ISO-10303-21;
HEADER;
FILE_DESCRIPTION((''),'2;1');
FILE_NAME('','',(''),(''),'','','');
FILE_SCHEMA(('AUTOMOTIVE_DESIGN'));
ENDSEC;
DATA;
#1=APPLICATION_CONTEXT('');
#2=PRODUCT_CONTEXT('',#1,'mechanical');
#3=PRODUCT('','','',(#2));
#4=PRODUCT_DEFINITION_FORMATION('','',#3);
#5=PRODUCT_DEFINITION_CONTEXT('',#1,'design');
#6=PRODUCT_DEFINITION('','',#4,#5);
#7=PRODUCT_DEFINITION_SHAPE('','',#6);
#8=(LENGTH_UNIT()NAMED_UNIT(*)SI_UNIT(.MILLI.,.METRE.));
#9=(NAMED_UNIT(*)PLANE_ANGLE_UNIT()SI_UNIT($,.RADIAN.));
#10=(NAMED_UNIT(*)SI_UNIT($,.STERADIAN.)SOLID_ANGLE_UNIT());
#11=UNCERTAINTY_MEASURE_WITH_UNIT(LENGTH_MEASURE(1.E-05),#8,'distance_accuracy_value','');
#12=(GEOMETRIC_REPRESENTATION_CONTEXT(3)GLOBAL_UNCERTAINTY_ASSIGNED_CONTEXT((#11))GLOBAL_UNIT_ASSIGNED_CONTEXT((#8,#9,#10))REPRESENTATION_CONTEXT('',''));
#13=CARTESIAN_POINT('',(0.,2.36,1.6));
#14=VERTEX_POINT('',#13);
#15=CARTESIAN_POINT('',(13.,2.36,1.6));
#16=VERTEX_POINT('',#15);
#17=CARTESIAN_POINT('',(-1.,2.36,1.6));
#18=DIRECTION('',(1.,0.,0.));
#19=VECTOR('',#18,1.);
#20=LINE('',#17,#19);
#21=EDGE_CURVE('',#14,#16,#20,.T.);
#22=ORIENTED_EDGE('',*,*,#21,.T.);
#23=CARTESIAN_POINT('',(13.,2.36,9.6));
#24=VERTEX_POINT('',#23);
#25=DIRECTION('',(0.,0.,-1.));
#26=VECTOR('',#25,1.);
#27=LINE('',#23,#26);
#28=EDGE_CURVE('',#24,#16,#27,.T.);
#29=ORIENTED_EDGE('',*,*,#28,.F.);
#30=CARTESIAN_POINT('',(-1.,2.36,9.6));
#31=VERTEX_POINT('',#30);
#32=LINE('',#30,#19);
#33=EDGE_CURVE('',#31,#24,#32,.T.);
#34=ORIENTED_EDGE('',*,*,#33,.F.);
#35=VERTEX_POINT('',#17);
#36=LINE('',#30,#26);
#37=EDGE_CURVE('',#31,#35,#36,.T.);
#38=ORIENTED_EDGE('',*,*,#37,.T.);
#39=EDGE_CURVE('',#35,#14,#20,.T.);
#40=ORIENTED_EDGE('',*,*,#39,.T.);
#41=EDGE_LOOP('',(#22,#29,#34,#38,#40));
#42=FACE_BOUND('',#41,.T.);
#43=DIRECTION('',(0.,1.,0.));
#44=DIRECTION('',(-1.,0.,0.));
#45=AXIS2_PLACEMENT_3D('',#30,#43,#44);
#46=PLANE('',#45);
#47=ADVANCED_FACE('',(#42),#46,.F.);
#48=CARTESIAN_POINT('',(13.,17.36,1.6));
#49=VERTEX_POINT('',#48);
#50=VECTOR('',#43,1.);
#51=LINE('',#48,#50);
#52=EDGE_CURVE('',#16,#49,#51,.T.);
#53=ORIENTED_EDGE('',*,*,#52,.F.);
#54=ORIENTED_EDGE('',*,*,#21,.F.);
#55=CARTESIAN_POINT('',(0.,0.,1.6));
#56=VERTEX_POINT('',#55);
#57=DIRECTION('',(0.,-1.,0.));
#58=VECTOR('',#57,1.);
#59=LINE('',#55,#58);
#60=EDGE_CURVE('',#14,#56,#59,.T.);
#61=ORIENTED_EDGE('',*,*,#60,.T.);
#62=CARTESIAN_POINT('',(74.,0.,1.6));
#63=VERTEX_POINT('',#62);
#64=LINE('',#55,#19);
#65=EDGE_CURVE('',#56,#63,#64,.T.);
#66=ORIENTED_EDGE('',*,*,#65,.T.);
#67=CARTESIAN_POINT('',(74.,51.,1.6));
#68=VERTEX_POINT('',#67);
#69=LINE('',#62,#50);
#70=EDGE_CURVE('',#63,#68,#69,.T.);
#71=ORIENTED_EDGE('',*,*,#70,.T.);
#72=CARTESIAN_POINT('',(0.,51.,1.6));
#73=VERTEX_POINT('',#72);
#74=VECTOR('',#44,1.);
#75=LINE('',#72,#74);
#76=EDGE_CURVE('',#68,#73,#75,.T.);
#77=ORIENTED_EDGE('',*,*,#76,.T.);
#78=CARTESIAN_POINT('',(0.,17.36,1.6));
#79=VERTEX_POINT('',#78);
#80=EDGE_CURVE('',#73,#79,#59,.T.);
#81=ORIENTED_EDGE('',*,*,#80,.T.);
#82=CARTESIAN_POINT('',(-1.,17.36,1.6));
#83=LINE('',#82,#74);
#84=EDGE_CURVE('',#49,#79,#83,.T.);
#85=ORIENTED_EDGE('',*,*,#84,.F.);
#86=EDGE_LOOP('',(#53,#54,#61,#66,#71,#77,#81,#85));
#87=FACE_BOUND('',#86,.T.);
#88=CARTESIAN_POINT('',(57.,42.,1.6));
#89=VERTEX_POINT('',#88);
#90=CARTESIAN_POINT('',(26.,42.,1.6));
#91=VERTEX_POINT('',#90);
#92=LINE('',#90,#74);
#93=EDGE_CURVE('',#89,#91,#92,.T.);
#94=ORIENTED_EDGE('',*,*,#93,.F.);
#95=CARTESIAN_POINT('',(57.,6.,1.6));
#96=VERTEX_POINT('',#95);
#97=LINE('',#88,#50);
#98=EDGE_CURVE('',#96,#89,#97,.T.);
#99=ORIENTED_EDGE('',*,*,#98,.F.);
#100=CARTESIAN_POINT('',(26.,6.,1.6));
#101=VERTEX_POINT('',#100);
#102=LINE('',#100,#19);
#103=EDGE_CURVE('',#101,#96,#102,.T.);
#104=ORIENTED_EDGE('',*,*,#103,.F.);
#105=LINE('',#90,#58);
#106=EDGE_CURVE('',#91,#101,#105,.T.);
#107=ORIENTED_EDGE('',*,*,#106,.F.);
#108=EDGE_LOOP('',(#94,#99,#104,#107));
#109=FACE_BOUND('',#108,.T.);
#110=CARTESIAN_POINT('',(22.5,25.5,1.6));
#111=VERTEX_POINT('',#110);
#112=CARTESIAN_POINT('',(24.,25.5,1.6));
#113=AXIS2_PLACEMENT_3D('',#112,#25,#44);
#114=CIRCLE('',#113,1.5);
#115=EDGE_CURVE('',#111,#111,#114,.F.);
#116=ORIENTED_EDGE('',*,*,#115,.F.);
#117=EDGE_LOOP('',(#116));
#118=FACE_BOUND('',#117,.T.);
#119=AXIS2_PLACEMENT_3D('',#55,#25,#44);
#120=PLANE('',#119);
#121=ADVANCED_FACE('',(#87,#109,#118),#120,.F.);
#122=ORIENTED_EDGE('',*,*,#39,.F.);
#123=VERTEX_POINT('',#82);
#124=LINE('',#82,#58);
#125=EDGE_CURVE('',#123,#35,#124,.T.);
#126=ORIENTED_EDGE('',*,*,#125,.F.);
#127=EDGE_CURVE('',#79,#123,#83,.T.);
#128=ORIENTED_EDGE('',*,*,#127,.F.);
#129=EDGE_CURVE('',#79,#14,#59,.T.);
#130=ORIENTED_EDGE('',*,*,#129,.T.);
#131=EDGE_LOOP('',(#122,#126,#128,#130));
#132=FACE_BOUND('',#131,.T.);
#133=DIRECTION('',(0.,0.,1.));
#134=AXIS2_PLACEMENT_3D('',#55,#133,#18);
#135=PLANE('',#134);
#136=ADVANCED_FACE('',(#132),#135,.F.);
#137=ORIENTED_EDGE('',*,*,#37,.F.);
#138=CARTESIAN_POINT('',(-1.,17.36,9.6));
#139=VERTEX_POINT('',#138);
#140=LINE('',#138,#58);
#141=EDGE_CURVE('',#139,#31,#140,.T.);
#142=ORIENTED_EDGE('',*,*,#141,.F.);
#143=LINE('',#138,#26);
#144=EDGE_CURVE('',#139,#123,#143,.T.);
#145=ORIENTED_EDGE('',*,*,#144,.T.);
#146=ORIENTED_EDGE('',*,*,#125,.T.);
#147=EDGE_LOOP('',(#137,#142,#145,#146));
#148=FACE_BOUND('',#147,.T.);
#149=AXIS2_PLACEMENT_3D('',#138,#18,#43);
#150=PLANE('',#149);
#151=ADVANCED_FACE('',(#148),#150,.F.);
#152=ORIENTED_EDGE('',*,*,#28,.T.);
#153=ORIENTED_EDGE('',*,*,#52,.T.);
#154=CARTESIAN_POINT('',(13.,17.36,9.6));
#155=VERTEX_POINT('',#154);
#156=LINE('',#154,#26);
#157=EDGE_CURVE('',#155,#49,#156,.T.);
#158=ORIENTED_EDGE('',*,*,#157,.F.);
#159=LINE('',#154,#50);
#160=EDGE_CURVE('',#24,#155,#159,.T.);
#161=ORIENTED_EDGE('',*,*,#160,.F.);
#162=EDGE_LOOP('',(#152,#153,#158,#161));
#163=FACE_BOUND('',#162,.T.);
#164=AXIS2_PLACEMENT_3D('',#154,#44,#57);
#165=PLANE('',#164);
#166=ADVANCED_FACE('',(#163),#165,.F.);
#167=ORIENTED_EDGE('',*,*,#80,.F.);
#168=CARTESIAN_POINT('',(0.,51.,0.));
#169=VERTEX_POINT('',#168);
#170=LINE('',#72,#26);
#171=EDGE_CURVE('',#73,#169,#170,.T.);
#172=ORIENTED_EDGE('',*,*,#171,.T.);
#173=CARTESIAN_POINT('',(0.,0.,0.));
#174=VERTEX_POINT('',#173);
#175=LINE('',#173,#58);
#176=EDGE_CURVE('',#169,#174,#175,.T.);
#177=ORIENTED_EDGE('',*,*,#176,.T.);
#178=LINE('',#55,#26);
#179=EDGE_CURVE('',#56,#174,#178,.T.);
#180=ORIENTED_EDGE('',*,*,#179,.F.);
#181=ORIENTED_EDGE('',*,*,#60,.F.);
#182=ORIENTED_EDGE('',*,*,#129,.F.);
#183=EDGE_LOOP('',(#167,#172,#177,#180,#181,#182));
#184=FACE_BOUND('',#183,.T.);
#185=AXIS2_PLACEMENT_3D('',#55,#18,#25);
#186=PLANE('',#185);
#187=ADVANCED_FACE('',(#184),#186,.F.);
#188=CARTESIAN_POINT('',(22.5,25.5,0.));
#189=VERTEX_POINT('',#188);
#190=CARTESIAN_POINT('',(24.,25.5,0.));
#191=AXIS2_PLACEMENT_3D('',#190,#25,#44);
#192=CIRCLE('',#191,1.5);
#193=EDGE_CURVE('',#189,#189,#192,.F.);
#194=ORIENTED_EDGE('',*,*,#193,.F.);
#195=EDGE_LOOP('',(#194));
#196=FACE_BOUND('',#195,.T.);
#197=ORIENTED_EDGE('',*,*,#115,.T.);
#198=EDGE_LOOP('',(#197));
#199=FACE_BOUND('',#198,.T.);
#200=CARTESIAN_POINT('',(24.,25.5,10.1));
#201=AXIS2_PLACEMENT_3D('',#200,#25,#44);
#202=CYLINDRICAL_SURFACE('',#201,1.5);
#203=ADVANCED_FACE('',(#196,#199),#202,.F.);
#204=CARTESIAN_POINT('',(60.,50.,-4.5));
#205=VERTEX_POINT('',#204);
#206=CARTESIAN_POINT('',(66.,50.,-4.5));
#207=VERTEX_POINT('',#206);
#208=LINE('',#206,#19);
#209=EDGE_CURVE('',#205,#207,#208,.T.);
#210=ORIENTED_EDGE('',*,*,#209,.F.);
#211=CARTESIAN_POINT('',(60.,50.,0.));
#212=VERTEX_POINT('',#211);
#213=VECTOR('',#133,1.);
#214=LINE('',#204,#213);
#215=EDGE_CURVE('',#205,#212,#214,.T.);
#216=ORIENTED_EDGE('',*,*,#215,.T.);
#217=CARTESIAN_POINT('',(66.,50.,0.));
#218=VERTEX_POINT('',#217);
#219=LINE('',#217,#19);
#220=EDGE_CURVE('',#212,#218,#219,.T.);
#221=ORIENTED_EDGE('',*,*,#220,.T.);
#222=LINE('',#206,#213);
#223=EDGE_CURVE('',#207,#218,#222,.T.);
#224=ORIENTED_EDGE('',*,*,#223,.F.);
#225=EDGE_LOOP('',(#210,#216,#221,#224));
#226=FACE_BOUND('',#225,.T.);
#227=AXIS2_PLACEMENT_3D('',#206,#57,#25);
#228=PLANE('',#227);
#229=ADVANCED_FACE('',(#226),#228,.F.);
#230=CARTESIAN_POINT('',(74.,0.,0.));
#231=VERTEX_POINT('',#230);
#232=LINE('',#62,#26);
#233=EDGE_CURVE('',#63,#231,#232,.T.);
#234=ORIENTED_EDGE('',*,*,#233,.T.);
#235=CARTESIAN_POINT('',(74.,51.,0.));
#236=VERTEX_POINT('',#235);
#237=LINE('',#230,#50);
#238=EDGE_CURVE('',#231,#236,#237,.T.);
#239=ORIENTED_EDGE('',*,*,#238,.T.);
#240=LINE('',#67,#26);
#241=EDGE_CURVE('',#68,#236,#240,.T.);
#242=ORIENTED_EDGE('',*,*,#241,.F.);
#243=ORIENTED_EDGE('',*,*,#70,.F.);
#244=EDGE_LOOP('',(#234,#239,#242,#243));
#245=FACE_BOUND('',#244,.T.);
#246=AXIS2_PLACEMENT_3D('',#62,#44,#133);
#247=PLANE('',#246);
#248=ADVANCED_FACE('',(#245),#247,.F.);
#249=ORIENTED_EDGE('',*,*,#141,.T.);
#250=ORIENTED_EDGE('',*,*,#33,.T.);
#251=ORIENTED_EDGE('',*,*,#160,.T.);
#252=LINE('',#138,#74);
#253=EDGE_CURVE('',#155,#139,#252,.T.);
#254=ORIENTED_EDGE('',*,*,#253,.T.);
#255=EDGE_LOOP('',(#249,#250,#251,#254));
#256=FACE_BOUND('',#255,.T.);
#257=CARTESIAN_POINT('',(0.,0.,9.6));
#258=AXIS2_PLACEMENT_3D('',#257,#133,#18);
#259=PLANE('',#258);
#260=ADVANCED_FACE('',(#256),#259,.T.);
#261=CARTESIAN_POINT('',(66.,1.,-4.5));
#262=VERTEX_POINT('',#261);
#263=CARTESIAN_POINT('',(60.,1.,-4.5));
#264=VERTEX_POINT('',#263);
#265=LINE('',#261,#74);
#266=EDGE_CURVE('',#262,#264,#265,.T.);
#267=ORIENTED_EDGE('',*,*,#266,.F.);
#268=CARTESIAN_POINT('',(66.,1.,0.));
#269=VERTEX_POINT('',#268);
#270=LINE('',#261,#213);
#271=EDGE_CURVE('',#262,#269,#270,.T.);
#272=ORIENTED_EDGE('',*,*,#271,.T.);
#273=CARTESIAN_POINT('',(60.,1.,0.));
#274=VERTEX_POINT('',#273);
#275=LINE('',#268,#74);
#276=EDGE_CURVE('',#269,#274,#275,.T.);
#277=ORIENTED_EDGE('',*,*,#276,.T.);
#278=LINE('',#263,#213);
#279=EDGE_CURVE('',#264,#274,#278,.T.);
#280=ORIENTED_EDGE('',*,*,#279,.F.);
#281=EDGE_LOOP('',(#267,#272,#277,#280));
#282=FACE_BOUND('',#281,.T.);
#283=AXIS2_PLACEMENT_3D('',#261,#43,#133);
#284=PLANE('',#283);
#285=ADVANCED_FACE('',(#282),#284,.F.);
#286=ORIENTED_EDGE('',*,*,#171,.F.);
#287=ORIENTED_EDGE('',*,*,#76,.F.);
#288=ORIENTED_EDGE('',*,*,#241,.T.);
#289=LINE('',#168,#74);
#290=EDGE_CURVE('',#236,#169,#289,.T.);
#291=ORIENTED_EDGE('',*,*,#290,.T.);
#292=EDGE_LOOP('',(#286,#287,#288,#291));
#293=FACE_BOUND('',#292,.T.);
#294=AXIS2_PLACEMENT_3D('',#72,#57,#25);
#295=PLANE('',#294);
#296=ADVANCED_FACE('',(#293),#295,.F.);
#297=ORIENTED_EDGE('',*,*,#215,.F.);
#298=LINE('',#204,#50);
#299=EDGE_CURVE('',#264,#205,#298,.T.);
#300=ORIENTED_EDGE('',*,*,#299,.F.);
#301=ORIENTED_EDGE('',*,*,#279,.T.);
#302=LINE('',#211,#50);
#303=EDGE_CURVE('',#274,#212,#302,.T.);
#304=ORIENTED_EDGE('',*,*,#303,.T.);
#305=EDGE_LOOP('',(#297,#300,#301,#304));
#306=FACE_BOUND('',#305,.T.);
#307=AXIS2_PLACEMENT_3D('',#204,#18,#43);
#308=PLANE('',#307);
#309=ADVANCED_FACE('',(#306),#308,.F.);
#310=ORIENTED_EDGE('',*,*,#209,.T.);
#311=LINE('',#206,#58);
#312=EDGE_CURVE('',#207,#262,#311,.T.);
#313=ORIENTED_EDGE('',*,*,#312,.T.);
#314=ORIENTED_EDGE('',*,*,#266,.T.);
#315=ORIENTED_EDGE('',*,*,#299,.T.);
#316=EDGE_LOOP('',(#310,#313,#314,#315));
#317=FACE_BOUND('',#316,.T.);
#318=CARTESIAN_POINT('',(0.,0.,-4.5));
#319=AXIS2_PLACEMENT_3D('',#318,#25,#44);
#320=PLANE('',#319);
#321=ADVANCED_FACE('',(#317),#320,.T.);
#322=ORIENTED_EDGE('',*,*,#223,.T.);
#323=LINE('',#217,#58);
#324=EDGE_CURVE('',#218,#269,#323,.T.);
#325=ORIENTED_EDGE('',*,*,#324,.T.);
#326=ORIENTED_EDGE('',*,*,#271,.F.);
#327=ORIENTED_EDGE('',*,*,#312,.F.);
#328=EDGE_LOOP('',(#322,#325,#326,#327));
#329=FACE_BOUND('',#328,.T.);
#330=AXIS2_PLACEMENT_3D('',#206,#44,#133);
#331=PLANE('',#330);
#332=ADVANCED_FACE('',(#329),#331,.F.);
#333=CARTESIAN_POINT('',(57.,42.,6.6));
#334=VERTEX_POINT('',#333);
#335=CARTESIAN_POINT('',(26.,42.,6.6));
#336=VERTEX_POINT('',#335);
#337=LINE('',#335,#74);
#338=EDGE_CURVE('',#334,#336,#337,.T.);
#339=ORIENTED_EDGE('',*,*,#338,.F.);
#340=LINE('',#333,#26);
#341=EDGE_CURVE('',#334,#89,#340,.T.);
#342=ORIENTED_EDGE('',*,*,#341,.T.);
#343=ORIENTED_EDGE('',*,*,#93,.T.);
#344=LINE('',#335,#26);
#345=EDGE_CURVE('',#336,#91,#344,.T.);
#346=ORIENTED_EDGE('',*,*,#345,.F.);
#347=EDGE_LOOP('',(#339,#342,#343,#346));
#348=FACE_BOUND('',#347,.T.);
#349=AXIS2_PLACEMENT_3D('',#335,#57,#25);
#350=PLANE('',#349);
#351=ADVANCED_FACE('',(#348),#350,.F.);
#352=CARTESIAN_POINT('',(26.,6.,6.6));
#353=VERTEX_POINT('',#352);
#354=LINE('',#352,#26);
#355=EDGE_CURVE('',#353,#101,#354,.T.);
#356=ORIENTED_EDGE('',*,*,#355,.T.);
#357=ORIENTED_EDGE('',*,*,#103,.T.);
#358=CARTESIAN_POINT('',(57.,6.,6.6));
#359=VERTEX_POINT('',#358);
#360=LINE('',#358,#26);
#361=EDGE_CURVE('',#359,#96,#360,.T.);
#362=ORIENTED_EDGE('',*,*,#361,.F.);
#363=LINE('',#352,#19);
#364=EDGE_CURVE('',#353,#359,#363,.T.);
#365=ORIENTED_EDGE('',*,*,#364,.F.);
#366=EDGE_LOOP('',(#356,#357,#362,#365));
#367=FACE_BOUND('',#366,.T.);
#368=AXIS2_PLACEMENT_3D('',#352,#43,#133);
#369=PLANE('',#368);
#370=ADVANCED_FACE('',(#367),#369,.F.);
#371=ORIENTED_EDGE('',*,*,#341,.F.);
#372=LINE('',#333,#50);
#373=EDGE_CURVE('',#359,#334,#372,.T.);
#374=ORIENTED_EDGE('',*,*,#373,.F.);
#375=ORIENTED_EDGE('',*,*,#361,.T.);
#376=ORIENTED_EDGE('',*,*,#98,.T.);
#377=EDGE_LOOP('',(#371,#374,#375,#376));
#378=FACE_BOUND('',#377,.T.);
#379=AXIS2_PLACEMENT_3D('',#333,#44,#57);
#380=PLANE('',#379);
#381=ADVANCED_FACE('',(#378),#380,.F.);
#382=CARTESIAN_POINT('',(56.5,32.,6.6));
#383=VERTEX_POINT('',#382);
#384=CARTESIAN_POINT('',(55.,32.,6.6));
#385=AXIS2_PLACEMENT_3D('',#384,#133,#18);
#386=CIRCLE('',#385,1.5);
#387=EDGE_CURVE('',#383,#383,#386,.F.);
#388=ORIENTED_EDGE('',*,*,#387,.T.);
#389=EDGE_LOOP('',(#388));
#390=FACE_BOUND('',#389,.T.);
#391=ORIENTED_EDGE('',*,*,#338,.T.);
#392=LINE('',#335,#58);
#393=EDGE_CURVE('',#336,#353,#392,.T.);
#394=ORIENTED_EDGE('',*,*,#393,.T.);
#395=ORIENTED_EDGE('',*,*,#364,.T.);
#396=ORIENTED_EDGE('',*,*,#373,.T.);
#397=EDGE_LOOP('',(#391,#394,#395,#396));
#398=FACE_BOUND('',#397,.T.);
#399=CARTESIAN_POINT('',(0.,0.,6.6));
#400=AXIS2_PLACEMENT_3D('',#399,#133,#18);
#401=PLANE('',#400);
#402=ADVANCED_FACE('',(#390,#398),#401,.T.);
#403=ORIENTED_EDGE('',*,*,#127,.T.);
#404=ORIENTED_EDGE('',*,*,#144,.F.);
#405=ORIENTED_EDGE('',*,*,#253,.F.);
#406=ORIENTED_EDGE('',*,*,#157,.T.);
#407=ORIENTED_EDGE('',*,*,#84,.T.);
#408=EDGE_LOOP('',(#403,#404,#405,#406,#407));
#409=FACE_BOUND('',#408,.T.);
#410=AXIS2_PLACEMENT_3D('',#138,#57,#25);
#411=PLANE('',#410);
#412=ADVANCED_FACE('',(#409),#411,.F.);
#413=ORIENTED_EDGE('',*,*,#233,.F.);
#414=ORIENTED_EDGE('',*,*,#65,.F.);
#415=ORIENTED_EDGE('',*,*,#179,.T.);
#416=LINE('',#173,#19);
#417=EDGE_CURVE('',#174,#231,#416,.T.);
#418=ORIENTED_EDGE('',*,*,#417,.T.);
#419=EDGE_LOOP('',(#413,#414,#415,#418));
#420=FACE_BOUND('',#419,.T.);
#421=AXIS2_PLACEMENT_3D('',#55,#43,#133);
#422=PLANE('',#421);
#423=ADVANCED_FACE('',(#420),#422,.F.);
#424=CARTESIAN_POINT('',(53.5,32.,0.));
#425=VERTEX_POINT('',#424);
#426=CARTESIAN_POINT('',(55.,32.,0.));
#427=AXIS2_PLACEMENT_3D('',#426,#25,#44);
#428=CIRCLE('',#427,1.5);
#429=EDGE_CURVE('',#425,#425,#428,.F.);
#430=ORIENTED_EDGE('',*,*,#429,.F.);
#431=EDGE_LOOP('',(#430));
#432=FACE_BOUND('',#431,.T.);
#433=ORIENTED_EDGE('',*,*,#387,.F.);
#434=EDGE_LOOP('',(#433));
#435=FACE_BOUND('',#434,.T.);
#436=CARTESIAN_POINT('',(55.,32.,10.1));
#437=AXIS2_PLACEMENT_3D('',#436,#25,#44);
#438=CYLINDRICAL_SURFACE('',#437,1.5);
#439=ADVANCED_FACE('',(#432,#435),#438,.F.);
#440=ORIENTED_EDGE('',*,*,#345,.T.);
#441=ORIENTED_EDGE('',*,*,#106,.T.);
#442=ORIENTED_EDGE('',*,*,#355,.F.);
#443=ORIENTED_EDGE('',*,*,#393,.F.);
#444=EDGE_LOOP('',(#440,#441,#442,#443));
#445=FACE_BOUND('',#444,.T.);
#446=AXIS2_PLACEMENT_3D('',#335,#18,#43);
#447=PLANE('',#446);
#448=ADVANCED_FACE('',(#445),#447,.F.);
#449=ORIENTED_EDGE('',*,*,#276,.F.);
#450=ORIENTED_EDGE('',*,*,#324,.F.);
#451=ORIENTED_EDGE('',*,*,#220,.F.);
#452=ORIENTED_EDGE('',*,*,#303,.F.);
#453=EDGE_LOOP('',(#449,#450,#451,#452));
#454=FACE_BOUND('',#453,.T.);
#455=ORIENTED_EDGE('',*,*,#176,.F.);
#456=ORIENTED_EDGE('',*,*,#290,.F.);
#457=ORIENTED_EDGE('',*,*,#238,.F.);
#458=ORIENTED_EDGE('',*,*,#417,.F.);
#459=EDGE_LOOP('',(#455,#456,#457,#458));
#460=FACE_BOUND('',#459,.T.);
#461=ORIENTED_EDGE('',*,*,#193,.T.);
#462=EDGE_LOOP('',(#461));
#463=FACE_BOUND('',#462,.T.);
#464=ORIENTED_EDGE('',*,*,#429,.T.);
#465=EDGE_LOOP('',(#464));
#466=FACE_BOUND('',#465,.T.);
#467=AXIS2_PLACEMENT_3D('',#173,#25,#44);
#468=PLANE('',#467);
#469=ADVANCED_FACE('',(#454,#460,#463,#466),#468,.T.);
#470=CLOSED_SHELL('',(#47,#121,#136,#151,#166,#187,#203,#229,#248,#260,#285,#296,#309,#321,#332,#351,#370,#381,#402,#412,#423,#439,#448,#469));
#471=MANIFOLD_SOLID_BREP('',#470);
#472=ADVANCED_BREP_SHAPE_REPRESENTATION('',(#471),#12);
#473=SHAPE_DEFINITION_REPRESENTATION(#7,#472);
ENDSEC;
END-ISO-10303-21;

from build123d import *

# Parameters (mm, degrees)
SKETCH1_W               = 74
SKETCH1_H               = 51
BOSS_EXTRUDE1_DEPTH     = 1.6
SKETCH2_W               = 31
SKETCH2_H               = 36
BOSS_EXTRUDE2_DEPTH     = 5
SKETCH3_W               = 14
SKETCH3_H               = 15
BOSS_EXTRUDE3_DEPTH     = 8
SKETCH4_W               = 6
SKETCH4_H               = 49
BOSS_EXTRUDE4_DEPTH     = 4.5
CUT_EXTRUDE1_DEPTH      = 8.5
CUT_EXTRUDE1_DEPTH_BACK = 91.227490268
SKETCH6_R               = 1.5


with BuildPart() as part:
    # Sketch1 → Boss-Extrude1 (new body)
    with BuildSketch(Plane.XY):
        with Locations((37, 25.5)):
            Rectangle(SKETCH1_W, SKETCH1_H)
    extrude(amount=BOSS_EXTRUDE1_DEPTH)

    # Sketch2 → Boss-Extrude2 (add)
    with BuildSketch(Plane.XY.offset(1.6)):
        with Locations((41.5, 24)):
            Rectangle(SKETCH2_W, SKETCH2_H)
    extrude(amount=BOSS_EXTRUDE2_DEPTH)

    # Sketch3 → Boss-Extrude3 (add)
    with BuildSketch(Plane.XY.offset(1.6)):
        with Locations((6, 9.86)):
            Rectangle(SKETCH3_W, SKETCH3_H)
    extrude(amount=BOSS_EXTRUDE3_DEPTH)

    # Sketch4 → Boss-Extrude4 (add)
    with BuildSketch(Plane(origin=(0, 0, 0), x_dir=(-1, 0, 0), z_dir=(0, 0, -1))):
        with Locations((-63, 25.5)):
            Rectangle(SKETCH4_W, SKETCH4_H)
    extrude(amount=BOSS_EXTRUDE4_DEPTH)

    # Sketch6 → Cut-Extrude1 (cut, two sides: drawn at the far end of the back side and taken through both)
    with BuildSketch(Plane.XY.offset(1.6).offset(-CUT_EXTRUDE1_DEPTH_BACK)):
        with Locations(Location((55, 32, 0), (0, 0, 180))):
            Circle(SKETCH6_R)
        with Locations(Location((24, 25.5, 0), (0, 0, 180))):
            Circle(SKETCH6_R)
    extrude(amount=CUT_EXTRUDE1_DEPTH + CUT_EXTRUDE1_DEPTH_BACK, mode=Mode.SUBTRACT)


solid = part.part
